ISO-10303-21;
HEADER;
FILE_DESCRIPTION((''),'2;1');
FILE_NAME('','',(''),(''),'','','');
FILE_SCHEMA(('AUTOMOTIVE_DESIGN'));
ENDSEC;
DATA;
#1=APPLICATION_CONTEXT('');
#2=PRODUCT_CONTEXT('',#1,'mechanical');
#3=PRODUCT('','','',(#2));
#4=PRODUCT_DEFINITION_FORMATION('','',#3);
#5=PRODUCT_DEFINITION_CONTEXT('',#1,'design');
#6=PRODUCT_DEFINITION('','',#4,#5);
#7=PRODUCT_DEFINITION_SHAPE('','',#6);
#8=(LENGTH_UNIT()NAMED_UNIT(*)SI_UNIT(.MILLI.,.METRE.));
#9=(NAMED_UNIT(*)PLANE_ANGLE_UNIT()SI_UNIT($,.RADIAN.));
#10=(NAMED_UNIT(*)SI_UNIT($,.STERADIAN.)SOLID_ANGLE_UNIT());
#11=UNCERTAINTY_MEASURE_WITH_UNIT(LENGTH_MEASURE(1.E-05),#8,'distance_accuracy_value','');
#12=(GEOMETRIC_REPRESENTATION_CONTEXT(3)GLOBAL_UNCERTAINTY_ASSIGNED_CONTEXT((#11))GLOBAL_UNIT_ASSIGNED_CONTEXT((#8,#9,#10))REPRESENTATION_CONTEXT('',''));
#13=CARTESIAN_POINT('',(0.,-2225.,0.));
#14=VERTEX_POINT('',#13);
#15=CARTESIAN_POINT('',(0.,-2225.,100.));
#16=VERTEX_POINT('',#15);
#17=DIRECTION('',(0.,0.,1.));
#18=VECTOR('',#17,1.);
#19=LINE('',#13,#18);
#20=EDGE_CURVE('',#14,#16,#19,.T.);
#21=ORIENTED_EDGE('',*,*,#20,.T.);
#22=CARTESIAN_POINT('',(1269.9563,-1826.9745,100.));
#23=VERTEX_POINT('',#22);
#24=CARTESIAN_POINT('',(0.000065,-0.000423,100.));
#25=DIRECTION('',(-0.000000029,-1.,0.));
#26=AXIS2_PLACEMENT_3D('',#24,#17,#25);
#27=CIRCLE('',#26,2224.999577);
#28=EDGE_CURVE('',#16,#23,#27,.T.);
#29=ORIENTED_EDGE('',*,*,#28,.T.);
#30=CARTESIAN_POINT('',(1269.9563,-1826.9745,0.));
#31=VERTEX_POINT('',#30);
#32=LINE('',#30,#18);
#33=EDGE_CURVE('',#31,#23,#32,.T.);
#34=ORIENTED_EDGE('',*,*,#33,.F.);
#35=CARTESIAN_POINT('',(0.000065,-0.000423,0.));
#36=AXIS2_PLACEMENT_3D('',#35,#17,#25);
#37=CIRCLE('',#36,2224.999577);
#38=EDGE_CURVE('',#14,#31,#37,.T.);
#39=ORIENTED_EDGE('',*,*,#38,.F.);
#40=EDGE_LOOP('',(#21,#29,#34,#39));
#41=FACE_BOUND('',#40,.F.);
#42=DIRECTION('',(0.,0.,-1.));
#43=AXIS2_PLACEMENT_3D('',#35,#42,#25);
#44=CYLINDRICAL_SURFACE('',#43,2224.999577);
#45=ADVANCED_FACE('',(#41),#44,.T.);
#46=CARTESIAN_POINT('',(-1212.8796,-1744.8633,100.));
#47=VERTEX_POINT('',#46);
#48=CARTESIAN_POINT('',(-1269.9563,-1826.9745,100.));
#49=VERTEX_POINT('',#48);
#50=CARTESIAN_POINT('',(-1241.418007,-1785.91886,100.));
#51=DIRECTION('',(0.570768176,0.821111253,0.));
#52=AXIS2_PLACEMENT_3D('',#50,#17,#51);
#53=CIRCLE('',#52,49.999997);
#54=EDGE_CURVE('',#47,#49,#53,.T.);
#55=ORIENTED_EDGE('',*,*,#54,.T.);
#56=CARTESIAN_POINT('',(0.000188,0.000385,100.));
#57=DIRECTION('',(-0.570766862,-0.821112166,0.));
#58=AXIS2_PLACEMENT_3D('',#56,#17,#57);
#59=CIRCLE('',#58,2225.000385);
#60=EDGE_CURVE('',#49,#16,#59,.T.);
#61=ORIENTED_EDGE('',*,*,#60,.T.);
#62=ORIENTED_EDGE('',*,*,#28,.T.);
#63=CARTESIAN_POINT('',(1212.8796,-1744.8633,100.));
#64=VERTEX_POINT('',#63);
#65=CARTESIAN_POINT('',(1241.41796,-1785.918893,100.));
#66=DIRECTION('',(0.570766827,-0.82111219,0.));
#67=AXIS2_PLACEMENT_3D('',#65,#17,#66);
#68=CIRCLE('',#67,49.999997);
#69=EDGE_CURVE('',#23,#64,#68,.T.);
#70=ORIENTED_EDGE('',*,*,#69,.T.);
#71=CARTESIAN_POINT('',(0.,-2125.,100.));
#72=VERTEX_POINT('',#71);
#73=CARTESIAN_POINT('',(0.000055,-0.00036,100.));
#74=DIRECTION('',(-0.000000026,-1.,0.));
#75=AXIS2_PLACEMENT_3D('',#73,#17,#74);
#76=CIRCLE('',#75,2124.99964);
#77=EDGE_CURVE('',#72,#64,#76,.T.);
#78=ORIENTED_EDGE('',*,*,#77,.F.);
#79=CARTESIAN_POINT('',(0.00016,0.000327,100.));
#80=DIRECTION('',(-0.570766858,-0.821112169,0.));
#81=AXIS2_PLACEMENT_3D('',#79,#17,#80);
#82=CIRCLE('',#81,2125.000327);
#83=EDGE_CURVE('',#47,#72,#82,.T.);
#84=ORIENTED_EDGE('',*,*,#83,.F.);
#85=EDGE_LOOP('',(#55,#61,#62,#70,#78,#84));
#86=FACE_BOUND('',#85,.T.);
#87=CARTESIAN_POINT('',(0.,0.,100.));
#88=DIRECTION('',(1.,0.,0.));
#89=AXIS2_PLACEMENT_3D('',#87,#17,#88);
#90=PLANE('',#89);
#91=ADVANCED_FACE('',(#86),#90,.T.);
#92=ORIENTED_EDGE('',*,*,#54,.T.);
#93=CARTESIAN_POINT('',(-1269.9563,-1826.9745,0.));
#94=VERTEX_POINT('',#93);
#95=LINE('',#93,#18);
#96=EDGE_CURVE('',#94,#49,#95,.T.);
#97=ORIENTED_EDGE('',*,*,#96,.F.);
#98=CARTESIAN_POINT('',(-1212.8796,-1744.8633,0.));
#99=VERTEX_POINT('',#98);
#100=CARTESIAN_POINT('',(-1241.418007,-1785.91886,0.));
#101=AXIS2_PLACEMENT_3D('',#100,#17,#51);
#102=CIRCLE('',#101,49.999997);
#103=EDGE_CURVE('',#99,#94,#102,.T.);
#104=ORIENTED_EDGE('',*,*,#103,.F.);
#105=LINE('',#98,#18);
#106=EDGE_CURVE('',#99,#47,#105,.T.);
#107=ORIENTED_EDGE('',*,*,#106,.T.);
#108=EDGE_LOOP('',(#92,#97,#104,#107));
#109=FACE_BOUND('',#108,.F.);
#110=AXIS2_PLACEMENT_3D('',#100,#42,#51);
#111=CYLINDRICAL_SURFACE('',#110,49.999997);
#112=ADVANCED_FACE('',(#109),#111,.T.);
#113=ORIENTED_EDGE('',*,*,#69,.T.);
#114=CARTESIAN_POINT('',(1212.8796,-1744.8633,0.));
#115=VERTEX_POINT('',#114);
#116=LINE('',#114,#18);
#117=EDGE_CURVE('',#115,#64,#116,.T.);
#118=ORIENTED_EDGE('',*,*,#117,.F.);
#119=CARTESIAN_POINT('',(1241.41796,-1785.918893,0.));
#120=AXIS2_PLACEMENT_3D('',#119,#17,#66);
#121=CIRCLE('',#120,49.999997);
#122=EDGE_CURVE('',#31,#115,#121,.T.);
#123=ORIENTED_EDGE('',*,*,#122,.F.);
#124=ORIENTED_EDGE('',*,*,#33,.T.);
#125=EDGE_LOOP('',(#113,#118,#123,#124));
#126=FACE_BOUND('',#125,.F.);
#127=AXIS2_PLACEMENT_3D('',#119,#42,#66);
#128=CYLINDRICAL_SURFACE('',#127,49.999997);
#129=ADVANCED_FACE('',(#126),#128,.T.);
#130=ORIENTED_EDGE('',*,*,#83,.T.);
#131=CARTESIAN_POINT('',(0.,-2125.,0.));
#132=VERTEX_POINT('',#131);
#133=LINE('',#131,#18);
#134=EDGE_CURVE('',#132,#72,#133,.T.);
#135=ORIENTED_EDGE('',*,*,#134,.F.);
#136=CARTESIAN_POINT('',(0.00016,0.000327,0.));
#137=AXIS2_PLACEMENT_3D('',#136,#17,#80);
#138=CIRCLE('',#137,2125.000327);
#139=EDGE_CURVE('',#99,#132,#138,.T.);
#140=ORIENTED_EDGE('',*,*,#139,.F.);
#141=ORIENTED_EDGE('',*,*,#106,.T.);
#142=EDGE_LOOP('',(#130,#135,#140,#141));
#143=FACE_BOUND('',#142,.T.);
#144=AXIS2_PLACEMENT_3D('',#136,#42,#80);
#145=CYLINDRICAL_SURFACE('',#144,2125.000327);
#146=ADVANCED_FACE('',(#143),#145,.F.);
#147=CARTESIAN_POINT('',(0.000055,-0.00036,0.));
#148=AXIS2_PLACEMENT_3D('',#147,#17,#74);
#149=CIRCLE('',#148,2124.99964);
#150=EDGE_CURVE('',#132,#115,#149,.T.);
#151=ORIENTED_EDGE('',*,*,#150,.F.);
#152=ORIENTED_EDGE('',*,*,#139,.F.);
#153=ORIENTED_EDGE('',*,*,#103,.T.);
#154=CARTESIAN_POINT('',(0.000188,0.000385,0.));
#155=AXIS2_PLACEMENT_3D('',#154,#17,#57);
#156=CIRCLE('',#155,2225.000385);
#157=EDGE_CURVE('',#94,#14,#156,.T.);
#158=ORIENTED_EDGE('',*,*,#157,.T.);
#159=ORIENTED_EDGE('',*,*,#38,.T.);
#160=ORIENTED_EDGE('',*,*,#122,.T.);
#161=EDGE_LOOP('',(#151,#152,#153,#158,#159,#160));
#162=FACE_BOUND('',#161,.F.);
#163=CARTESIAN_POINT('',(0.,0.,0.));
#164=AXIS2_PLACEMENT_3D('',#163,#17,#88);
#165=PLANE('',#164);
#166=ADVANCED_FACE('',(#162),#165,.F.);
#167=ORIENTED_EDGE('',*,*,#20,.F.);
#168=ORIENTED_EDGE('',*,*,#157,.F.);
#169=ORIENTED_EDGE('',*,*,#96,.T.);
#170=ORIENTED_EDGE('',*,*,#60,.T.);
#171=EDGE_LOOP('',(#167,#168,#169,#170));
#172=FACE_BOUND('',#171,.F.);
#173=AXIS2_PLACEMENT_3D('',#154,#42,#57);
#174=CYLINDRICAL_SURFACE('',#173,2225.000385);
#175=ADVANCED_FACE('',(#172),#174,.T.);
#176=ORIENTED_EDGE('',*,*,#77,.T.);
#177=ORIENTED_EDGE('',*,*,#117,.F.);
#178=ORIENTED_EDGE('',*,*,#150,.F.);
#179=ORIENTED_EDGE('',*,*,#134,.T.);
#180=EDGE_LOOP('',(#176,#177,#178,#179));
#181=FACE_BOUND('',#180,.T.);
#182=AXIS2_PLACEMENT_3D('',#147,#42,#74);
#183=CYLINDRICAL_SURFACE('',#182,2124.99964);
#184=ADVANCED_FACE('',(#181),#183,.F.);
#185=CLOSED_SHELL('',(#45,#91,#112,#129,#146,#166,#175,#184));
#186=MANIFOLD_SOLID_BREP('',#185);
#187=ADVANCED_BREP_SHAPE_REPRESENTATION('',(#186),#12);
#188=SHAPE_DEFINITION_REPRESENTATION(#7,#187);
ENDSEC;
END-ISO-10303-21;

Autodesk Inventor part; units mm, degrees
ref_plane "YZ Plane" through (0, 0, 0) normal (1, 0, 0) x (0, 1, 0)
ref_plane "XZ Plane" through (0, 0, 0) normal (0, 1, 0) x (-1, 0, 0)
ref_plane "XY Plane" through (0, 0, 0) normal (0, 0, 1) x (1, 0, 0)
sketch "Sketch1" plane through (0, 0, 0) normal (0, 0, 1) x (1, 0, 0)
  arc A0 (0, -2125) -> (1212.8796, -1744.8633) centre (0, 0) ccw
  arc A1 (0, -2225) -> (1269.9563, -1826.9745) centre (0, 0) ccw
  line L0 (0, -2125) -> (0, -1744.8633)
  arc A2 (1269.9563, -1826.9745) -> (1212.8796, -1744.8633) centre (1241.418, -1785.9189) ccw
  line L1 (0, -2225) -> (0, -2125)
  arc A3 (-1212.8796, -1744.8633) -> (0, -2125) centre (0, 0) ccw
  arc A4 (-1269.9563, -1826.9745) -> (0, -2225) centre (0, 0) ccw
  arc A5 (-1212.8796, -1744.8633) -> (-1269.9563, -1826.9745) centre (-1241.418, -1785.9189) ccw
  dimension "d0" = 4250
  dimension "d1" = 4450
extrude "Extrusion1" add sketch "Sketch1" along normal blind 100
properties part number "Saddle"
